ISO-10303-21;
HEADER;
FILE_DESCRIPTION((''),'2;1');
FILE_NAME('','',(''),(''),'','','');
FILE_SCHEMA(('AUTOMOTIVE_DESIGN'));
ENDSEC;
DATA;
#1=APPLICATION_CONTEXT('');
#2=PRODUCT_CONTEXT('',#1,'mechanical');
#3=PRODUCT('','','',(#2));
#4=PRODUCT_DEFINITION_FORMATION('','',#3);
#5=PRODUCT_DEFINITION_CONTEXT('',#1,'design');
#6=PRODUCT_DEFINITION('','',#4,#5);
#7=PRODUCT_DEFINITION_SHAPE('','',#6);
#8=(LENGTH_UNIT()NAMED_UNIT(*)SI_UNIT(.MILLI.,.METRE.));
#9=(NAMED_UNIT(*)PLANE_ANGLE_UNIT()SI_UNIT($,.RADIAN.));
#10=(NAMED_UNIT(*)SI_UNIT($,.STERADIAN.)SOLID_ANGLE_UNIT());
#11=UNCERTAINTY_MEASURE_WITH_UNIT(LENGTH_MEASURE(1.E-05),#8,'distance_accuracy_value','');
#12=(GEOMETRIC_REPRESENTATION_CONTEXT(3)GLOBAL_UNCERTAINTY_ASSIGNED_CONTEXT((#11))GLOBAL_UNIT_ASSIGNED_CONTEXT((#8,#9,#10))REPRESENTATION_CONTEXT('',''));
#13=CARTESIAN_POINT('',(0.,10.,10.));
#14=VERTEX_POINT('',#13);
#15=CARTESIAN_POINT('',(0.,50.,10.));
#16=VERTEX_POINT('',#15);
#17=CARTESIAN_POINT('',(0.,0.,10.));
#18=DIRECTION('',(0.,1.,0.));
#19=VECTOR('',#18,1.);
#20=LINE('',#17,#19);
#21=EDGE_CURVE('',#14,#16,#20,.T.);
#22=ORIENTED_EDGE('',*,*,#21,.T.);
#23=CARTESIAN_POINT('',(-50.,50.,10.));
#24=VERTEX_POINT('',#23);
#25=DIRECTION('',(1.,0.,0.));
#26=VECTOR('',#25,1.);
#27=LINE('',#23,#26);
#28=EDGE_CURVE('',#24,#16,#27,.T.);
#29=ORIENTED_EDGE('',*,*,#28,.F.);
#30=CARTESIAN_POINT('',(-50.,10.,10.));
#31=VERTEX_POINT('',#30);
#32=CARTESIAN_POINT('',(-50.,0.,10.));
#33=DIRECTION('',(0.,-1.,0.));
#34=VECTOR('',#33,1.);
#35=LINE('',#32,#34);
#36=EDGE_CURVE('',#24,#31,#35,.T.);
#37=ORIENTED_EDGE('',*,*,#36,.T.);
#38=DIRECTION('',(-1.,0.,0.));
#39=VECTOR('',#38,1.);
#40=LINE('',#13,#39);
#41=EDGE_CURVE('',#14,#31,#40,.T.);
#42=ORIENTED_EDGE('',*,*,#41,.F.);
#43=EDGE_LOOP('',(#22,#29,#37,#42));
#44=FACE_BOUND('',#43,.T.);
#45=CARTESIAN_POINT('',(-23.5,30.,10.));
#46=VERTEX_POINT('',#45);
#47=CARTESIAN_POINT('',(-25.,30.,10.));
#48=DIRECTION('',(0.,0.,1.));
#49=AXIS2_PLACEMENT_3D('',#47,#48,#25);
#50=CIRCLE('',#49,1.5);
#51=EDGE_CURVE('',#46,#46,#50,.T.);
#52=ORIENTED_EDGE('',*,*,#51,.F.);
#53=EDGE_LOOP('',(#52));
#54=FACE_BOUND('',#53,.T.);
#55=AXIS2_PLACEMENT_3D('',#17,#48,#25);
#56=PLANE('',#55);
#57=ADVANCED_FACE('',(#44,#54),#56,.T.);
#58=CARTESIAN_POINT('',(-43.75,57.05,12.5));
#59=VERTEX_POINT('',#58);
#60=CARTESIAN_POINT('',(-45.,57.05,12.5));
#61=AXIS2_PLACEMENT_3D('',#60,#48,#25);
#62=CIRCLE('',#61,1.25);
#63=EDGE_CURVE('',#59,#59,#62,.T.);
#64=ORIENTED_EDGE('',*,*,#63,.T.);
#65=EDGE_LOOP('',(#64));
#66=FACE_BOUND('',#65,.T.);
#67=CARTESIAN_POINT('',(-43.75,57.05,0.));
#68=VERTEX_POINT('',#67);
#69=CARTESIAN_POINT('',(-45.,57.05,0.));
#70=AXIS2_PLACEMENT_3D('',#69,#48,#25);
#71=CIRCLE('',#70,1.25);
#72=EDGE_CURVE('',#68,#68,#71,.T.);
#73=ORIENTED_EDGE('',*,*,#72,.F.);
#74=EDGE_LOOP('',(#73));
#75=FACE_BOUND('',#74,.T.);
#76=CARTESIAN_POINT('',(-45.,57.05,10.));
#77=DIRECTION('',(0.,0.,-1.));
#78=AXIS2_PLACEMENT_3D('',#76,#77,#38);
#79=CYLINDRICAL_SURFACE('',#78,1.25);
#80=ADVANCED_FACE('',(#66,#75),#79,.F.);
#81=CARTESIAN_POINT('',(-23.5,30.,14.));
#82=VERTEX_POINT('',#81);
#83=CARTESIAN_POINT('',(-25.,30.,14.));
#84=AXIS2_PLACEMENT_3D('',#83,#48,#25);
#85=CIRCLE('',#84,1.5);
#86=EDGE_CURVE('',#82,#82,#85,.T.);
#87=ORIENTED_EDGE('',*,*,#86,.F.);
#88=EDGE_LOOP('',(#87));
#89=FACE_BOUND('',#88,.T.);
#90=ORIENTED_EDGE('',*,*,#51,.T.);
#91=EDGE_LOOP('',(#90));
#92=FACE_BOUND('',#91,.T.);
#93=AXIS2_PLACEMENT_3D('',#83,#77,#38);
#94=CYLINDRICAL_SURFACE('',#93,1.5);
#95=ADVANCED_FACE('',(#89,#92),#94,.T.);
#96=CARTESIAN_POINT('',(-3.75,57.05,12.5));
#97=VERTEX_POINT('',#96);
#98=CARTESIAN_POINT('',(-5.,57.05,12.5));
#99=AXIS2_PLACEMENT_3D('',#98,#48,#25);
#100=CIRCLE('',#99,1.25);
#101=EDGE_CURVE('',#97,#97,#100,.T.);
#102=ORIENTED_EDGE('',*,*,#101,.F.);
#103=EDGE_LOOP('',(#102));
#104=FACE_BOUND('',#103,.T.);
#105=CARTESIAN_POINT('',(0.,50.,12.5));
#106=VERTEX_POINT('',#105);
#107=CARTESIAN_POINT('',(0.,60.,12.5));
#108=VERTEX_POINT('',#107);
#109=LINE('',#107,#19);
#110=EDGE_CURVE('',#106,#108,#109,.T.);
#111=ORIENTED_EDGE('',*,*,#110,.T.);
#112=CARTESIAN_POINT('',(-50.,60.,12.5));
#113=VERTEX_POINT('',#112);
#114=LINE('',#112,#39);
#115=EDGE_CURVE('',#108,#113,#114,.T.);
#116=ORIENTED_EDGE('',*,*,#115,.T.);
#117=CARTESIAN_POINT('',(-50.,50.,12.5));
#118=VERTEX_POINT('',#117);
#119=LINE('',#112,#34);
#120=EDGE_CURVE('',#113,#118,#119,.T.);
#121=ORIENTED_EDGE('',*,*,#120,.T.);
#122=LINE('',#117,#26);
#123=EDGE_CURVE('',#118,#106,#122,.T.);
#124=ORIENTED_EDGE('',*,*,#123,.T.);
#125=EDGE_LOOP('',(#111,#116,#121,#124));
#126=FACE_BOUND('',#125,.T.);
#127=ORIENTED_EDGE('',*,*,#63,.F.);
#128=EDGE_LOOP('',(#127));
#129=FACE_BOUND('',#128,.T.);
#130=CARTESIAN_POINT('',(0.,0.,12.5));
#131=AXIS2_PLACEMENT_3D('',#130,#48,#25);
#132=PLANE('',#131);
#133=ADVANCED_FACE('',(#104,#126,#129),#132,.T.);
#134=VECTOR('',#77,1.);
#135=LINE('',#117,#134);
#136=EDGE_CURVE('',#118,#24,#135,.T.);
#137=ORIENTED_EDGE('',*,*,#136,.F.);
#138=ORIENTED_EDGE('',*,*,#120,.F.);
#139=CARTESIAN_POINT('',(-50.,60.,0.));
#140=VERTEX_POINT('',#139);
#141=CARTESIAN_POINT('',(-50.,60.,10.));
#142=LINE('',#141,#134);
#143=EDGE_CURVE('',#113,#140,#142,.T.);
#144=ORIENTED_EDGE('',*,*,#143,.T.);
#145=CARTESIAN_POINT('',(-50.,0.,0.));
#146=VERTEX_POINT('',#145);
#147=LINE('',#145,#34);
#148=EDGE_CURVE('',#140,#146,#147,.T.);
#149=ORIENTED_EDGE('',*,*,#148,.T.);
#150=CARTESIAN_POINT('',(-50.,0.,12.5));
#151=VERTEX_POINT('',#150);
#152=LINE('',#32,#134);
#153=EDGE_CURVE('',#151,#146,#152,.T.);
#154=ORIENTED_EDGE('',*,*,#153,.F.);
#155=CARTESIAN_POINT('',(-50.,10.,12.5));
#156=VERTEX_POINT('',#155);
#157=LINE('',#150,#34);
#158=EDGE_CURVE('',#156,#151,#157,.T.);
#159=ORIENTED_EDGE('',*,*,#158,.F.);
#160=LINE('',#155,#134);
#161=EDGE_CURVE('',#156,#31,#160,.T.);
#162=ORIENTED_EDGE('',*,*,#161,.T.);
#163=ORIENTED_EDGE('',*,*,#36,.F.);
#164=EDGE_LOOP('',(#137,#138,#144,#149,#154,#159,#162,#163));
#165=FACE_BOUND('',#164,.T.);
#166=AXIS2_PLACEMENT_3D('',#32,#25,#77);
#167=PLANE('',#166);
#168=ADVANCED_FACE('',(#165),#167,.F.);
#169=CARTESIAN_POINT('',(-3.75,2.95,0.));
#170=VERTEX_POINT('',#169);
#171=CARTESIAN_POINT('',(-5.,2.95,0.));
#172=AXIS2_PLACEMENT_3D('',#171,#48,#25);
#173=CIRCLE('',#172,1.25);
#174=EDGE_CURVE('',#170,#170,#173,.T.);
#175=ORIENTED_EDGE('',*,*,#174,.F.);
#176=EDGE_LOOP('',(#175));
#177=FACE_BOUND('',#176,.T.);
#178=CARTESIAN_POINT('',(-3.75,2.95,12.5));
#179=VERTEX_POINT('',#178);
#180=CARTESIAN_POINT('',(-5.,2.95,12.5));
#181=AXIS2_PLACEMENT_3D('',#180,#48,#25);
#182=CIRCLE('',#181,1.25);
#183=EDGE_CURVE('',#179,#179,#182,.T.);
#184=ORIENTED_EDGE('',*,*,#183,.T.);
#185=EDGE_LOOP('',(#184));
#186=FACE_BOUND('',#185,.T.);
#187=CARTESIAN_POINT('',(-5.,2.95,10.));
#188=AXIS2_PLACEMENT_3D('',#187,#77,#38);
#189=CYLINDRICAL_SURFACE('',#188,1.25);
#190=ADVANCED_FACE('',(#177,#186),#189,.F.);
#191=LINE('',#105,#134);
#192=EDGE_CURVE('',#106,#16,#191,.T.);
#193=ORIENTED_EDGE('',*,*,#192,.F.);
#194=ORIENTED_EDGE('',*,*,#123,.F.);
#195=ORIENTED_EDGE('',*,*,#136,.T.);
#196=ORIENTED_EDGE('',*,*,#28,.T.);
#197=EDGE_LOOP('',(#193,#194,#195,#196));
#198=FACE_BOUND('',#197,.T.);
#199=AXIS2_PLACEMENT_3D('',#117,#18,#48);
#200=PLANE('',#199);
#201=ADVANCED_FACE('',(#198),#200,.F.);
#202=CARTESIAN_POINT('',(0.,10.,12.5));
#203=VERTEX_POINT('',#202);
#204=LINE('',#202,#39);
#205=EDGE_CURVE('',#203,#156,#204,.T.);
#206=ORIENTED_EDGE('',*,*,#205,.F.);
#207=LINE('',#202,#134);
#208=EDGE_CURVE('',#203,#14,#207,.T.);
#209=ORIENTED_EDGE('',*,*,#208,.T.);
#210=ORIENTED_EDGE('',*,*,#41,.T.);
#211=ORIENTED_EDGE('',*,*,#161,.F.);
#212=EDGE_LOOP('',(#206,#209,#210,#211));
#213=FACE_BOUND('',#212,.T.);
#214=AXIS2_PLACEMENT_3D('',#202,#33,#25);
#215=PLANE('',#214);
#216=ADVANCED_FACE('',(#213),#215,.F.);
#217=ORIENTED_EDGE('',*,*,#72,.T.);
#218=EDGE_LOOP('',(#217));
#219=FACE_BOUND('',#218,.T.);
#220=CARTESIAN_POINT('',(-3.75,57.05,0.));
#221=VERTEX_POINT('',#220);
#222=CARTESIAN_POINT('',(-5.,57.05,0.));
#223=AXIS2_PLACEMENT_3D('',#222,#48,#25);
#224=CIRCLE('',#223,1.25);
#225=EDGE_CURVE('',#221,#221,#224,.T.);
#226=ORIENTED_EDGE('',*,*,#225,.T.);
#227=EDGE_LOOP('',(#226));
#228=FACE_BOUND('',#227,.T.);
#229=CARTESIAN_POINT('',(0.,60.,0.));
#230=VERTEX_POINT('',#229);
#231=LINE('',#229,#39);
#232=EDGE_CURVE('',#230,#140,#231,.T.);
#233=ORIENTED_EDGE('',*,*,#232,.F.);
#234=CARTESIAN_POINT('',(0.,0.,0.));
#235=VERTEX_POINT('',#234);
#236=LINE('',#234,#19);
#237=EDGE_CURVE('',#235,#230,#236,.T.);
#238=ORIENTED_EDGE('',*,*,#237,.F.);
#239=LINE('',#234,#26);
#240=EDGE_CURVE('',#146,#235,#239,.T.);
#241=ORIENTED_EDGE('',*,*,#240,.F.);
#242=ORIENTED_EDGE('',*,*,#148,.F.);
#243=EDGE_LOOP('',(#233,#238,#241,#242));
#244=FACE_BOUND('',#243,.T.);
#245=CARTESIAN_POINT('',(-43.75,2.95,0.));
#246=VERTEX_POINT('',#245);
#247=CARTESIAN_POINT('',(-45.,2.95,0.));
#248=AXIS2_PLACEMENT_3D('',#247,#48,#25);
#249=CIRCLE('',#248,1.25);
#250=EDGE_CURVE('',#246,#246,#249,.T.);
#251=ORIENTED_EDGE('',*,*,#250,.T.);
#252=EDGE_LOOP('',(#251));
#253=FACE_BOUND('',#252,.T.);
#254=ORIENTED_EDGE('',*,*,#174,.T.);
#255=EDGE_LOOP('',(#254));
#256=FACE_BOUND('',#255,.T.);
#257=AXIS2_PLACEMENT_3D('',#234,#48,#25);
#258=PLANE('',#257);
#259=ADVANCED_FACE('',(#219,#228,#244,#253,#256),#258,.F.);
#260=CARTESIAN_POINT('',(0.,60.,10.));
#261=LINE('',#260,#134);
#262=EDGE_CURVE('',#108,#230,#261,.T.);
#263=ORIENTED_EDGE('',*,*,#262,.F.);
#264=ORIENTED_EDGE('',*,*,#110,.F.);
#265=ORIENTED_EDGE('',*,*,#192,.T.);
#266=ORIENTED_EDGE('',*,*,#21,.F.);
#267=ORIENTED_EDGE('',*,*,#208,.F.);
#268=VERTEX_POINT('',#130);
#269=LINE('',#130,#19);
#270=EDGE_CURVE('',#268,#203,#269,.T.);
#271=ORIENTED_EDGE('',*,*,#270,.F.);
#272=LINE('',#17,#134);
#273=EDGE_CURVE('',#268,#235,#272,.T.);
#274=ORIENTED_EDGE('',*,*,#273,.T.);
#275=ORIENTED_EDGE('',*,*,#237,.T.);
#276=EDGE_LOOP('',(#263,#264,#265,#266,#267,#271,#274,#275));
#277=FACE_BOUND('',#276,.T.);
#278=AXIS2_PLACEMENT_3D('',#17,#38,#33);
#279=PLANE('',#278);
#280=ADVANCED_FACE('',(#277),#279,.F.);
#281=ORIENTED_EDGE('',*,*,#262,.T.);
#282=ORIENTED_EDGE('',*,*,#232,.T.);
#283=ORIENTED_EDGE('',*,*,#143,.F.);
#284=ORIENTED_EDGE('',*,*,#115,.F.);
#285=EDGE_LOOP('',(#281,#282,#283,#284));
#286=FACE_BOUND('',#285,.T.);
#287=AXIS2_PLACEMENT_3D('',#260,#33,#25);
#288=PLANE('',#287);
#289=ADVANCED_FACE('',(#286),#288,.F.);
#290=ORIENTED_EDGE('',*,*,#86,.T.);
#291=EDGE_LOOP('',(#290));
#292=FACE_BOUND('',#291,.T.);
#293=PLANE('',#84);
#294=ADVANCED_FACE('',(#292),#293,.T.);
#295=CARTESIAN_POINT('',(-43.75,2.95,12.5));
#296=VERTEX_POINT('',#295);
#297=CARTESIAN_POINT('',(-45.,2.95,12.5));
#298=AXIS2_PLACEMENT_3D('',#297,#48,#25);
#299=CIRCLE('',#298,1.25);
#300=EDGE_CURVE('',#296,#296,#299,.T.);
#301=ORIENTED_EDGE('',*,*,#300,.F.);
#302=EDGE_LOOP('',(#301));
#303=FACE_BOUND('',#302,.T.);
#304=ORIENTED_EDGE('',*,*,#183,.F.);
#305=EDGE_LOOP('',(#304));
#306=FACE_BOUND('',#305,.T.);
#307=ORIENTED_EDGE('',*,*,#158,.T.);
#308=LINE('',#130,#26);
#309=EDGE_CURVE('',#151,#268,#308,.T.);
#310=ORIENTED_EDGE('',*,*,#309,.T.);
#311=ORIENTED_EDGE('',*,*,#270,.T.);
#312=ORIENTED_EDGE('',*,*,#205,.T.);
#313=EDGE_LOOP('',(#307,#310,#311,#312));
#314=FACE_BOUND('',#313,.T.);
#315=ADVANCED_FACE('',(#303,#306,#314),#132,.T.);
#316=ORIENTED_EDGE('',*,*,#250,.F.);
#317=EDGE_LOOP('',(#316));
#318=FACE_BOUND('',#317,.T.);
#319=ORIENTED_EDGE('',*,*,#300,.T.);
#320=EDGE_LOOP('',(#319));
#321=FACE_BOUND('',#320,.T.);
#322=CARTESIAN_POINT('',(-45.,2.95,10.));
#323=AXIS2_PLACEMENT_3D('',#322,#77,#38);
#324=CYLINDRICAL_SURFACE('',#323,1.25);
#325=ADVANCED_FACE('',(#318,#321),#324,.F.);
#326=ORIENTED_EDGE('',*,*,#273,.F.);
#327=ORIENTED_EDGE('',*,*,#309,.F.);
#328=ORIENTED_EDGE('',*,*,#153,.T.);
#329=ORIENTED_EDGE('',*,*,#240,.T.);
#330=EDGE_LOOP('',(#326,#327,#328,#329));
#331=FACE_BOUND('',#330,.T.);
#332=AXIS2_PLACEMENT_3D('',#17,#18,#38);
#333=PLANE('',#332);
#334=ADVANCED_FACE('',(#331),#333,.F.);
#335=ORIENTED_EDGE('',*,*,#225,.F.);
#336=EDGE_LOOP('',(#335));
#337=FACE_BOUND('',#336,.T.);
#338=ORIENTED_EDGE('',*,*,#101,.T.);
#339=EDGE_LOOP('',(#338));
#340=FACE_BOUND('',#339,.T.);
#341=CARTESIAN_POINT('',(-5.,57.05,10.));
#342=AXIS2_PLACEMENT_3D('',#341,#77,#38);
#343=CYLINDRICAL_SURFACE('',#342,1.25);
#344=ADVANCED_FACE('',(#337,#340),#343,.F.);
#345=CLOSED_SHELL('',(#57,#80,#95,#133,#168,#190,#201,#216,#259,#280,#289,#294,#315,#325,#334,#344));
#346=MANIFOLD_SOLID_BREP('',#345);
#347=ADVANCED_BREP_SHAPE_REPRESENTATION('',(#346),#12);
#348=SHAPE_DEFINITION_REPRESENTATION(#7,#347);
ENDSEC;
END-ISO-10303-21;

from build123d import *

# Parameters (mm, degrees)
SKIZZE1_W                       = 50
SKIZZE1_H                       = 60
SKIZZE1_R                       = 1.25
AUFSATZ_LINEAR_AUSTRAGEN1_DEPTH = 10
SKIZZE2_R                       = 1.5
AUFSATZ_LINEAR_AUSTRAGEN2_DEPTH = 4
SKIZZE3_W                       = 50
SKIZZE3_H                       = 10
SKIZZE3_R                       = 1.25
AUFSATZ_LINEAR_AUSTRAGEN3_DEPTH = 2.5


with BuildPart() as part:
    # Skizze1 → Aufsatz-Linear austragen1 (new body)
    with BuildSketch(Plane.XY):
        with Locations((-25, 30)):
            Rectangle(SKIZZE1_W, SKIZZE1_H)
        with Locations((-45, 57.05)):
            Circle(SKIZZE1_R, mode=Mode.SUBTRACT)
        with Locations((-5, 57.05)):
            Circle(SKIZZE1_R, mode=Mode.SUBTRACT)
        with Locations((-45, 2.95)):
            Circle(SKIZZE1_R, mode=Mode.SUBTRACT)
        with Locations((-5, 2.95)):
            Circle(SKIZZE1_R, mode=Mode.SUBTRACT)
    extrude(amount=AUFSATZ_LINEAR_AUSTRAGEN1_DEPTH)

    # Skizze2 → Aufsatz-Linear austragen2 (add)
    with BuildSketch(Plane.XY.offset(10)):
        with Locations((-25, 30)):
            Circle(SKIZZE2_R)
    extrude(amount=AUFSATZ_LINEAR_AUSTRAGEN2_DEPTH)

    # Skizze3 → Aufsatz-Linear austragen3 (add)
    with BuildSketch(Plane.XY.offset(10)):
        with Locations((-25, 55)):
            Rectangle(SKIZZE3_W, SKIZZE3_H)
        with Locations((-45, 57.05)):
            Circle(SKIZZE3_R, mode=Mode.SUBTRACT)
        with Locations((-5, 57.05)):
            Circle(SKIZZE3_R, mode=Mode.SUBTRACT)
        with Locations((-25, 5)):
            Rectangle(SKIZZE3_W, SKIZZE3_H)
        with Locations((-45, 2.95)):
            Circle(SKIZZE3_R, mode=Mode.SUBTRACT)
        with Locations((-5, 2.95)):
            Circle(SKIZZE3_R, mode=Mode.SUBTRACT)
    extrude(amount=AUFSATZ_LINEAR_AUSTRAGEN3_DEPTH)


solid = part.part
